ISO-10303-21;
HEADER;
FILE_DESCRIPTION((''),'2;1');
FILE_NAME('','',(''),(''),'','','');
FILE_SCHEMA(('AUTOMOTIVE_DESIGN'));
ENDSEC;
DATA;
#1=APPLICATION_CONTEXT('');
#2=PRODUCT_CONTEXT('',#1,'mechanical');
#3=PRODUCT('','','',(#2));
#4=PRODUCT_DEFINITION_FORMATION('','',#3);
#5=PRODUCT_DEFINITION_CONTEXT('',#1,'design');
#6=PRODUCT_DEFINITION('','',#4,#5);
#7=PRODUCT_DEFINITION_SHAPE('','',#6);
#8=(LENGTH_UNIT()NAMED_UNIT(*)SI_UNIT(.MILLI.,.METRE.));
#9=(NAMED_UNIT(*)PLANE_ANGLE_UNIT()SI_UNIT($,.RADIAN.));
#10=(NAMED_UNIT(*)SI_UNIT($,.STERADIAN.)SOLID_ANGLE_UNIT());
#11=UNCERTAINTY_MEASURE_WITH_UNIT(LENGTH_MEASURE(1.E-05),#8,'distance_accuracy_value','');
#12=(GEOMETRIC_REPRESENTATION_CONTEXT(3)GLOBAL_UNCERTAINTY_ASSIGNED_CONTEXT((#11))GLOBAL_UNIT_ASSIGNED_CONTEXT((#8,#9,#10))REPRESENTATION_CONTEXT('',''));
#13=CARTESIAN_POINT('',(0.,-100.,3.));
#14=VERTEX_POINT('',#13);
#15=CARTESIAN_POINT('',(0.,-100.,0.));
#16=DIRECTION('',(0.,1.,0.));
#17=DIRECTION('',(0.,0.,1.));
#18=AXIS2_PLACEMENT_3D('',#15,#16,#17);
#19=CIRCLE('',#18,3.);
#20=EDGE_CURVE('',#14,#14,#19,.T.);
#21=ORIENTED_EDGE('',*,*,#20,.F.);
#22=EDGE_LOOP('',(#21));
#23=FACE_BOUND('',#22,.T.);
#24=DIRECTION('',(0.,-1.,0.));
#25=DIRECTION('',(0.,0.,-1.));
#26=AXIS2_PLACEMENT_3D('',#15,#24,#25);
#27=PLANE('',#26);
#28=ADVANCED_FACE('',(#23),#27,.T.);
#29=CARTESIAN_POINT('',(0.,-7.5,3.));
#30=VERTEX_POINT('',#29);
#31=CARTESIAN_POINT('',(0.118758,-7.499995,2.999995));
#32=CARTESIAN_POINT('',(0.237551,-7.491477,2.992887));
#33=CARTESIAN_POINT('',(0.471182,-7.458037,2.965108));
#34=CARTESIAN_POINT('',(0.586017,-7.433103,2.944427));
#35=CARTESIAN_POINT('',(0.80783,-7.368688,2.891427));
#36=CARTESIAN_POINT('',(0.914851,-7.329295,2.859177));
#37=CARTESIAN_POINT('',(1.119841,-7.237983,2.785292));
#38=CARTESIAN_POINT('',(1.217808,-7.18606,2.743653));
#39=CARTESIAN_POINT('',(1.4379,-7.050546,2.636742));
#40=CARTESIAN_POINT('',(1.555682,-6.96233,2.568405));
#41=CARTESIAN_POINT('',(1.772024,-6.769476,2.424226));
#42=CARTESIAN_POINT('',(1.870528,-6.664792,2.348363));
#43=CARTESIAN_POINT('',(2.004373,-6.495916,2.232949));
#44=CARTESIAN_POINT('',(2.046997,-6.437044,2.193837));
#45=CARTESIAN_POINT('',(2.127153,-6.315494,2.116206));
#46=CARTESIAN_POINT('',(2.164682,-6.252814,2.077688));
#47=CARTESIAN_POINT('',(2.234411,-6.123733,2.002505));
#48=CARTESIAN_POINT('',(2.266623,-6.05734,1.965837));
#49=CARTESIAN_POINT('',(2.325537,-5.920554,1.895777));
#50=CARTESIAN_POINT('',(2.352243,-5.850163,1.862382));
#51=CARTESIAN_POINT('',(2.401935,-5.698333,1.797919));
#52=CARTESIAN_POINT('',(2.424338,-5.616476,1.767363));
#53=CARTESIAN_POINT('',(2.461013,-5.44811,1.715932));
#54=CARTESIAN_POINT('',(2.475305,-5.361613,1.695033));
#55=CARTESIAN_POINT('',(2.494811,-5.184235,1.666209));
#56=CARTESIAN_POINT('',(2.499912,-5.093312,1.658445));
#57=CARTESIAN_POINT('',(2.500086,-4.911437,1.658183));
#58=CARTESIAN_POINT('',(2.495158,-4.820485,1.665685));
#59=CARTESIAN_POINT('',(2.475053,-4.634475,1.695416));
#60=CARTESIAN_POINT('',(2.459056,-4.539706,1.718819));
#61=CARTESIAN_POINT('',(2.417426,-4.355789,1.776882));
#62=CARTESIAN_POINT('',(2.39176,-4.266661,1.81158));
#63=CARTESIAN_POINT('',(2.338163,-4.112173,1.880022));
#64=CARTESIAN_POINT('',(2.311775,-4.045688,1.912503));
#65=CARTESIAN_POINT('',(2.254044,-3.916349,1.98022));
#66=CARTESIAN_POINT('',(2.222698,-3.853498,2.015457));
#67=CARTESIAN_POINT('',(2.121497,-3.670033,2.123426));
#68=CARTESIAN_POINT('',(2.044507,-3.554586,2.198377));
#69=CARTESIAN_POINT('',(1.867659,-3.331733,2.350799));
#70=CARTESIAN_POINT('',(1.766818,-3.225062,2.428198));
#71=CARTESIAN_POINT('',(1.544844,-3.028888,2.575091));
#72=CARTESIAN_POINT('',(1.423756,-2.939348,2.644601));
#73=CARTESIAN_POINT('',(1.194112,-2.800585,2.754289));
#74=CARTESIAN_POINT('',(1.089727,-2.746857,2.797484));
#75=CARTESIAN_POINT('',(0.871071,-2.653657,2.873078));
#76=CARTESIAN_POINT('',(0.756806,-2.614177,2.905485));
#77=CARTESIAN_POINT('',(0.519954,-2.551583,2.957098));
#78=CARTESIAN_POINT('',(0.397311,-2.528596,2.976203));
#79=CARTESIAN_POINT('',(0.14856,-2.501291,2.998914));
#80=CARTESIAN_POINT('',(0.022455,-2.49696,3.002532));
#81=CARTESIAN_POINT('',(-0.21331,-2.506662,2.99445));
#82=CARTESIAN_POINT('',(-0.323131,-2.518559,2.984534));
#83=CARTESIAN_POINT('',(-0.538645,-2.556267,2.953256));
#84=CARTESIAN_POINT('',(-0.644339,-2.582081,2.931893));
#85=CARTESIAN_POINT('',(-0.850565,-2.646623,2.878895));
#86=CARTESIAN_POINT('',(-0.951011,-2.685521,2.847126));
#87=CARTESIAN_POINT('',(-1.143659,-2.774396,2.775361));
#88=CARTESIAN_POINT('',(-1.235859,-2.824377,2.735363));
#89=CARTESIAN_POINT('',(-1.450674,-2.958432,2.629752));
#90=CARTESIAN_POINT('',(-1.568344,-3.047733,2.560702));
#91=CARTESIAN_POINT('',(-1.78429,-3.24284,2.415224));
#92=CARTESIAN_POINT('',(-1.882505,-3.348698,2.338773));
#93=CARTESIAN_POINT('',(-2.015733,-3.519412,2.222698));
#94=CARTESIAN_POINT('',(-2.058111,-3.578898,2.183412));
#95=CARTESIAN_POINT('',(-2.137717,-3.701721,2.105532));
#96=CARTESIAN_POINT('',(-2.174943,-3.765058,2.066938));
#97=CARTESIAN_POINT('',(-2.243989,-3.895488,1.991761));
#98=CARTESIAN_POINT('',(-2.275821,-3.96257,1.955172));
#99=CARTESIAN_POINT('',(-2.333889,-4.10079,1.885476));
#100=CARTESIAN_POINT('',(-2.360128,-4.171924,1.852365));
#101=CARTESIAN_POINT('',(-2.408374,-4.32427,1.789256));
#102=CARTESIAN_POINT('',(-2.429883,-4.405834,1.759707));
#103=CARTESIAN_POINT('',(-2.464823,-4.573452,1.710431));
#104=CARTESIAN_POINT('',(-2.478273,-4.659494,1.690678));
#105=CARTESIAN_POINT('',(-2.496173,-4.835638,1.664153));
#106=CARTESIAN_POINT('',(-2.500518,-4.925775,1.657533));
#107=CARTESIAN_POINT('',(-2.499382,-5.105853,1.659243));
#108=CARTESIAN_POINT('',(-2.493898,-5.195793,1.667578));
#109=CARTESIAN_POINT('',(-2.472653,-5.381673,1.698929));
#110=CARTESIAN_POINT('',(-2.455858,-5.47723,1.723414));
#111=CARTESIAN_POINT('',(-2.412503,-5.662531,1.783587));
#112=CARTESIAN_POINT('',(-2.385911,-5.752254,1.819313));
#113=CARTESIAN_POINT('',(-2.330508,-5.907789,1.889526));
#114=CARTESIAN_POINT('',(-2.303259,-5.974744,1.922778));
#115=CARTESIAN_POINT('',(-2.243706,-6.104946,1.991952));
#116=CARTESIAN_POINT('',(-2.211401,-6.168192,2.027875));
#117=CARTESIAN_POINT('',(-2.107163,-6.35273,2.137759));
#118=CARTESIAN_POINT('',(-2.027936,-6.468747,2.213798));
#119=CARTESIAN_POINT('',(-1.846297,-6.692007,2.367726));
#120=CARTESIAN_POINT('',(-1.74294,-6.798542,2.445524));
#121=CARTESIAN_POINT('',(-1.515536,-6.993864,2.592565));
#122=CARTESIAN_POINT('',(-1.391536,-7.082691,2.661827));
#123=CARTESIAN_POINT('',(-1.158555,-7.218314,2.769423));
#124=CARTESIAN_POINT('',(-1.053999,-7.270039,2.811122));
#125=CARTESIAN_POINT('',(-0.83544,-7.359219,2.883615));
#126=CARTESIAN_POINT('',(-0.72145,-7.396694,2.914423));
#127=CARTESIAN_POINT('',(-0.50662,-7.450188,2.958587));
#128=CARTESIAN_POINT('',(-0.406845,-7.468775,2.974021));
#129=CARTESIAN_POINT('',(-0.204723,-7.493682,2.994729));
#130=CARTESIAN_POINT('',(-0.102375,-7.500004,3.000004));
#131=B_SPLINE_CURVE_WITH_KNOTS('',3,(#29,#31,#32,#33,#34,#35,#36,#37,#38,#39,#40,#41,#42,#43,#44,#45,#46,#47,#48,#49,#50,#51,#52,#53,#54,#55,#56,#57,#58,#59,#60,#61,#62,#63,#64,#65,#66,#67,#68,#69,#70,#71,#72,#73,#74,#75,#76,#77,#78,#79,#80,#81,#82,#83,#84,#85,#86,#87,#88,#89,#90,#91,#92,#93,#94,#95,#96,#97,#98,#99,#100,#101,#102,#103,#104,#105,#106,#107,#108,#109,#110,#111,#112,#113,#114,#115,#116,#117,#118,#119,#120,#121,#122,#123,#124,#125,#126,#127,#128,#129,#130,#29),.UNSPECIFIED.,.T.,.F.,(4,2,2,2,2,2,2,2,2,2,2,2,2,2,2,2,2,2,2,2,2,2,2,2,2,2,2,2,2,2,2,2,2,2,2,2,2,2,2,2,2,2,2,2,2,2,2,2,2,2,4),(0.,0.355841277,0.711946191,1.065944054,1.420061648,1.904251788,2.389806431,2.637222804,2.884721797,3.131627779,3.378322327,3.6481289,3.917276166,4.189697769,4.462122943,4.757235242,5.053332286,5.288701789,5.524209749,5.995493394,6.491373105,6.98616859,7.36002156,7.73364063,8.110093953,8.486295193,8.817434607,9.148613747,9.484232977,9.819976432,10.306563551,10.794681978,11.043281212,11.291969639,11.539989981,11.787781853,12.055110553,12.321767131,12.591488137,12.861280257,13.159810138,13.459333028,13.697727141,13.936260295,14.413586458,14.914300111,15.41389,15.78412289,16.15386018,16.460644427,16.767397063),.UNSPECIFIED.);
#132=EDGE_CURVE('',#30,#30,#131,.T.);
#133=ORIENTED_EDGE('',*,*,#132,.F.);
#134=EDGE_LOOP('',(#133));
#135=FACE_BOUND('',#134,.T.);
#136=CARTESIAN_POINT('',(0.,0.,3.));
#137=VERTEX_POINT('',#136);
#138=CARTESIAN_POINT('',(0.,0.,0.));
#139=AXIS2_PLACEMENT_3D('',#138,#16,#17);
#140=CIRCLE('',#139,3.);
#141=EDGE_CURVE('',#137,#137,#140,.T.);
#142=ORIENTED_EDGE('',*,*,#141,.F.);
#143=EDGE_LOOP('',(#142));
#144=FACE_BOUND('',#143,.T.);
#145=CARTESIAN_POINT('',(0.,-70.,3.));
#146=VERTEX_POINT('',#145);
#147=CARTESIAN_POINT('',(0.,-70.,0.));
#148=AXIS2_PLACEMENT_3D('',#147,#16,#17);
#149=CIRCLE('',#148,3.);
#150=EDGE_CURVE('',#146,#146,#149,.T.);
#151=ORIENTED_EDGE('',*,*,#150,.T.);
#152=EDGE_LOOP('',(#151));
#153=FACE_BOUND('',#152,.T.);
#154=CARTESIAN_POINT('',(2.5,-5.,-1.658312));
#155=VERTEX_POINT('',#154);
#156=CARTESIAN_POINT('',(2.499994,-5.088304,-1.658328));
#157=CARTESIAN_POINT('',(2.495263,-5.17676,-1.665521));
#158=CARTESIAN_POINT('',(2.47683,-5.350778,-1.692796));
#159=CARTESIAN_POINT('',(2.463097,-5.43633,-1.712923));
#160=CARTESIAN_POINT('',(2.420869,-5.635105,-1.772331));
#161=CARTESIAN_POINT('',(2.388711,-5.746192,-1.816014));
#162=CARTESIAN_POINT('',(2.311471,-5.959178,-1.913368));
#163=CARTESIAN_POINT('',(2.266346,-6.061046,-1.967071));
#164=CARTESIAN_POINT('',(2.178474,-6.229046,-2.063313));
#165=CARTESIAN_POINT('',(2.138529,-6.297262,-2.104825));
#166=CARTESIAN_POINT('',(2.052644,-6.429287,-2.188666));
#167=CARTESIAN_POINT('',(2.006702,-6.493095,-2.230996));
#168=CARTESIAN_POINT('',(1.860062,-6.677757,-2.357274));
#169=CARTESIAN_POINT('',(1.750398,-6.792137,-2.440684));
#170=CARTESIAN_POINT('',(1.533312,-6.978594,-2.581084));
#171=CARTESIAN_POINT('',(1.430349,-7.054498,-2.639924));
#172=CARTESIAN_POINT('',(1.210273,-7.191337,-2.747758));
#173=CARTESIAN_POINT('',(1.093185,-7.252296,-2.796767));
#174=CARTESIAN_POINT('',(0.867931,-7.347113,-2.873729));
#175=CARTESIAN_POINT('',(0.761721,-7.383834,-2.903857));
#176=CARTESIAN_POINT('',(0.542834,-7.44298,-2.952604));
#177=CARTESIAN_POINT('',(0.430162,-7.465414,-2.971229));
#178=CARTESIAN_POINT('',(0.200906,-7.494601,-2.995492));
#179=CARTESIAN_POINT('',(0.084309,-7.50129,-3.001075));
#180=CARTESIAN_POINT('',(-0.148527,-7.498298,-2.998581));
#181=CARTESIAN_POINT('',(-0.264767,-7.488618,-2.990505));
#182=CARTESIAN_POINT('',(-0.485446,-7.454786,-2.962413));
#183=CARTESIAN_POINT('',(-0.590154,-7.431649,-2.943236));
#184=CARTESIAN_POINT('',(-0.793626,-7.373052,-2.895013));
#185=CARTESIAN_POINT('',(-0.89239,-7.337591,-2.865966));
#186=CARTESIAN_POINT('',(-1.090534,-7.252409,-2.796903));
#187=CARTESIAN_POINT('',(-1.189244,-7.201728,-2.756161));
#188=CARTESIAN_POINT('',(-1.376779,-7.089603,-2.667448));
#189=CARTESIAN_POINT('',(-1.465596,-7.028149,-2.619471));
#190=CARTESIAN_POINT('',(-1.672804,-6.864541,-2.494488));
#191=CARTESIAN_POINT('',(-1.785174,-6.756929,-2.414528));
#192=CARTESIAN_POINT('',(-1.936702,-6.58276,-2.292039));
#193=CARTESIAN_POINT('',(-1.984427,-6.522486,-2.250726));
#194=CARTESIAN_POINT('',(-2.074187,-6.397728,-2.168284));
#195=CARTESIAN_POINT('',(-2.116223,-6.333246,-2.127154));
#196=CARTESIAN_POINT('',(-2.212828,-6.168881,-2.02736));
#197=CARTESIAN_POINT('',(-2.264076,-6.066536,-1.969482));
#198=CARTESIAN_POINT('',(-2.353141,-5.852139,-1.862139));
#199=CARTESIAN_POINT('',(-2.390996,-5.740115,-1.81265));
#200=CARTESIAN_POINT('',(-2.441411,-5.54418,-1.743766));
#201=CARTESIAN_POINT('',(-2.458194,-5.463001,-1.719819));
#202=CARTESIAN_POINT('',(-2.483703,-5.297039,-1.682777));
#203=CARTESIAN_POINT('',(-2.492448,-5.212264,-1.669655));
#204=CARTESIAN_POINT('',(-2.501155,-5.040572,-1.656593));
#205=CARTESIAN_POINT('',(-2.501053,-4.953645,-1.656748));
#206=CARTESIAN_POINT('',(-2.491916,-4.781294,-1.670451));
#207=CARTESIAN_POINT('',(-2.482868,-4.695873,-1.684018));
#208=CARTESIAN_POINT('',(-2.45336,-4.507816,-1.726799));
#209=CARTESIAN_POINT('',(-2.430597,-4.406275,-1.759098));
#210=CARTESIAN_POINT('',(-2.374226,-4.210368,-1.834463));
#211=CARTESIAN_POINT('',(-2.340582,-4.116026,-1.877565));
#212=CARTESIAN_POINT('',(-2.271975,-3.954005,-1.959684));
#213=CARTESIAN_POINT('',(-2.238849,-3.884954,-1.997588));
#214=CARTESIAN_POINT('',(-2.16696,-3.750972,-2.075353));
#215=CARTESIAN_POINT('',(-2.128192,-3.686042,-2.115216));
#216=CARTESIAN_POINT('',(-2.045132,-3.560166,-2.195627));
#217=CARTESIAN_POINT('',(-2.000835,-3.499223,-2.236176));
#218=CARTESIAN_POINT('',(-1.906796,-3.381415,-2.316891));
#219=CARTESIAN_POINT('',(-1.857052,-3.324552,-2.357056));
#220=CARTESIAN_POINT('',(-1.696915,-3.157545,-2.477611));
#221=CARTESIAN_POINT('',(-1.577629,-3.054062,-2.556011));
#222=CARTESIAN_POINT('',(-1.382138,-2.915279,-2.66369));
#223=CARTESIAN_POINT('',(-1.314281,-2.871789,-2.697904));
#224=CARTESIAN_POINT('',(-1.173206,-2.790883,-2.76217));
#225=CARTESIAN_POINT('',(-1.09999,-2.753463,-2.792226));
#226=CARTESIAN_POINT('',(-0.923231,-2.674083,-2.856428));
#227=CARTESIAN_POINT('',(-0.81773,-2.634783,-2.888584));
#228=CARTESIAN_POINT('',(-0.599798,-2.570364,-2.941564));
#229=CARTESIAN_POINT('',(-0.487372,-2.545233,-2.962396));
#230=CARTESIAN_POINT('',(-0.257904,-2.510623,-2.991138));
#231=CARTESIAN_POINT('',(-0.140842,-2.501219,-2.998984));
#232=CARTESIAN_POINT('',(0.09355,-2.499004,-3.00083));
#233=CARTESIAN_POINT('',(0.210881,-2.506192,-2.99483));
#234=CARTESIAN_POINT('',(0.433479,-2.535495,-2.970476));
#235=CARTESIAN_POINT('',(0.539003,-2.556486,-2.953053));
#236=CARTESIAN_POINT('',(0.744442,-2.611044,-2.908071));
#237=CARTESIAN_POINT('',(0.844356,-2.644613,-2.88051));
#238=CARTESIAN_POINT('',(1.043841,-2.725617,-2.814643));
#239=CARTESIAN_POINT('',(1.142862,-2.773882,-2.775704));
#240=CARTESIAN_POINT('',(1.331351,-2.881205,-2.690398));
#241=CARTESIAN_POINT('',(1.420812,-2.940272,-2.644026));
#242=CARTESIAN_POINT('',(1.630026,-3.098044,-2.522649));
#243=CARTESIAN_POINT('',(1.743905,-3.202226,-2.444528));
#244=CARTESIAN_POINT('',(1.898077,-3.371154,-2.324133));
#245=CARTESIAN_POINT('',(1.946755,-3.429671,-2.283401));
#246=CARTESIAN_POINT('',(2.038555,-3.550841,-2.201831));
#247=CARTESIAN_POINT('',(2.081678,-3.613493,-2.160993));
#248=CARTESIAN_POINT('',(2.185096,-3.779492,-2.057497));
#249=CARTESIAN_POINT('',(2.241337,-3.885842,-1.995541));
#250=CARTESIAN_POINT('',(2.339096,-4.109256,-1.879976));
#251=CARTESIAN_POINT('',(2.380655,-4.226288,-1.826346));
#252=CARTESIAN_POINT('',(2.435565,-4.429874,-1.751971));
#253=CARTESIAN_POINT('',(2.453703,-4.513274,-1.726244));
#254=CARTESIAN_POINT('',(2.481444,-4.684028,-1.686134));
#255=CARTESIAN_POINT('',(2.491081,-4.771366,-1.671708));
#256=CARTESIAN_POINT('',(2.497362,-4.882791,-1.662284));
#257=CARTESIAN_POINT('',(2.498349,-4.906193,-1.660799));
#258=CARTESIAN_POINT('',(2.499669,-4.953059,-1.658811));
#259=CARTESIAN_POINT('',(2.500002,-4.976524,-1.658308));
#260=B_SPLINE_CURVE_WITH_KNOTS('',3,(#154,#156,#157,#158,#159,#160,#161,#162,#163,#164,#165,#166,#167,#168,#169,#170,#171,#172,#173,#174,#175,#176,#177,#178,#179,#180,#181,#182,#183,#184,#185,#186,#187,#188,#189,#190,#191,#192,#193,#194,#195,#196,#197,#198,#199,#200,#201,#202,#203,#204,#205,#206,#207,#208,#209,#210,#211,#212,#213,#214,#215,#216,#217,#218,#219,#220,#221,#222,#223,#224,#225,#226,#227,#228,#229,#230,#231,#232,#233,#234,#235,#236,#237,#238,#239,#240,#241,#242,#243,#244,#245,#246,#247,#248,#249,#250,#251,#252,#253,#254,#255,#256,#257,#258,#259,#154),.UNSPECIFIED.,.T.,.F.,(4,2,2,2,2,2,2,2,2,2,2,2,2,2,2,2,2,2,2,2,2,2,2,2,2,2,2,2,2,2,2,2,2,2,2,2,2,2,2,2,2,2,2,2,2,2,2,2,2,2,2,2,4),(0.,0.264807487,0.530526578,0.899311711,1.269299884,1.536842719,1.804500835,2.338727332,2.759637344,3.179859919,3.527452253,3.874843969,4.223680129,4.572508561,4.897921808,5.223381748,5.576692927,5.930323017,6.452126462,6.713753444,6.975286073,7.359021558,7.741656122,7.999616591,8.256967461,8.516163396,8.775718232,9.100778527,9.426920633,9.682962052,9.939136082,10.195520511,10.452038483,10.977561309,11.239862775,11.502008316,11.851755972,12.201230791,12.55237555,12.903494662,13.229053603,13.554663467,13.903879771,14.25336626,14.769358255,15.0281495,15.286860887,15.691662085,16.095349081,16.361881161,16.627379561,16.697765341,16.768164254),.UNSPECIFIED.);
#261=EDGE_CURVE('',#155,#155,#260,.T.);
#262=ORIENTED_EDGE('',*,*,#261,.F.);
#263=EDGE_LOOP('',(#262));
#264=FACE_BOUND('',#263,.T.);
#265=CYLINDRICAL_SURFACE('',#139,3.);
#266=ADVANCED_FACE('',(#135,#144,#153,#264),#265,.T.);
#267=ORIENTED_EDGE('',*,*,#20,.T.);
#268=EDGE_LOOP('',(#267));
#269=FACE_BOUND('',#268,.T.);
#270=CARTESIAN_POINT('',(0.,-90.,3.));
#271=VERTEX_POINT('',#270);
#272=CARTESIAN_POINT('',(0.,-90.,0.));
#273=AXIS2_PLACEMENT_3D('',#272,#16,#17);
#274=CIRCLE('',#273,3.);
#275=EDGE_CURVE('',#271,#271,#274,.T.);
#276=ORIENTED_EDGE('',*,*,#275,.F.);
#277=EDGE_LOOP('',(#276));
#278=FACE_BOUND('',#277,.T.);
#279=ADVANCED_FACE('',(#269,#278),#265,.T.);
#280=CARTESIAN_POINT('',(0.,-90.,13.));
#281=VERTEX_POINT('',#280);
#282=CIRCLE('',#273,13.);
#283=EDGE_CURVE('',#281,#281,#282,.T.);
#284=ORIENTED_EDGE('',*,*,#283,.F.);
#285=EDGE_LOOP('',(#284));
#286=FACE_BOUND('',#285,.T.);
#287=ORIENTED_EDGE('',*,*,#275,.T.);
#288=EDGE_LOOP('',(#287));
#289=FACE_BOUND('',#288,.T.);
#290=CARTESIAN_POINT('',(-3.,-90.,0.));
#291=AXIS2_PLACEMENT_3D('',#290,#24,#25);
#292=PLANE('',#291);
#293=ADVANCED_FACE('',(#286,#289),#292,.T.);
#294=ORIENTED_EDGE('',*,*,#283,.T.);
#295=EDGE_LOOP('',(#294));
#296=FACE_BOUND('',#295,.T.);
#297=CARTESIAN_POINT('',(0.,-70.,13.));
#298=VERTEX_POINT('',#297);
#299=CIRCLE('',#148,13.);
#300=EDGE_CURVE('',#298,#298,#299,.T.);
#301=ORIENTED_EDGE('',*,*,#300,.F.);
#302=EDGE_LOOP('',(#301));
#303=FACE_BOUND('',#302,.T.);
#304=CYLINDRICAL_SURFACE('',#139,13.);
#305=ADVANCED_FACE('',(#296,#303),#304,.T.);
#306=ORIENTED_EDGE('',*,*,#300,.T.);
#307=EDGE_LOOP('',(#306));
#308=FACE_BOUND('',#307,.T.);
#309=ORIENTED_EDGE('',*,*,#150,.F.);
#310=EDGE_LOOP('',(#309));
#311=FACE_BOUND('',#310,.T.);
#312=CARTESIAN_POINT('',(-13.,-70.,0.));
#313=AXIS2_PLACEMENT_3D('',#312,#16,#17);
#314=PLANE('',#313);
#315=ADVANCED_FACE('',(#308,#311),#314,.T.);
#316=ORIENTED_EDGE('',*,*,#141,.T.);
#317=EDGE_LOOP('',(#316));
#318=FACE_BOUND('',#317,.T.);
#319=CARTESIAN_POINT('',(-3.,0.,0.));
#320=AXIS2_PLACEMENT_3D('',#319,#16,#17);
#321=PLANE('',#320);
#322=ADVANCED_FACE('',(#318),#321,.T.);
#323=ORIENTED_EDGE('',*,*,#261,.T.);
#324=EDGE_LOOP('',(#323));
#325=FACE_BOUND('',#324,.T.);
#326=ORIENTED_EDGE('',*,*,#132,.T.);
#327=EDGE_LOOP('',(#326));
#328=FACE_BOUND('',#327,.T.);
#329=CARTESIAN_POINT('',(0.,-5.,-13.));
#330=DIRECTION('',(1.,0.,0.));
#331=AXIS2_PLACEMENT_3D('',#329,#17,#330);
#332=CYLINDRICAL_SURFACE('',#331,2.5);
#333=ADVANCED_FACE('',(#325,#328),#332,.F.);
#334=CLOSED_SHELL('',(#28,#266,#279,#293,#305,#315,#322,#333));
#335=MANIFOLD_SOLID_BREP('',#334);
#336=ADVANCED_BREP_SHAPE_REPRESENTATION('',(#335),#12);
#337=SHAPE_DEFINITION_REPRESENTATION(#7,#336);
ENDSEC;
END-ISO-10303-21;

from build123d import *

# Parameters (mm, degrees)
ESQUISSE2_R                  = 2.5
ENL_V_MAT_EXTRU_1_DEPTH      = 14
ENL_V_MAT_EXTRU_1_DEPTH_BACK = 14


with BuildPart() as part:
    # Esquisse1 → Révolution1 (revolve)
    with BuildSketch(Plane.XY):
        Polygon((0, 0), (0, -100), (-3, -100), (-3, -90), (-13, -90), (-13, -70), (-3, -70), (-3, 0), align=None)
    revolve(axis=Axis((0, 0, 0), (0, -1, 0)))

    # Esquisse2 → Enlèv. mat.-Extru.1 (cut, two sides)
    with BuildSketch(Plane.XY) as enl_v_mat_extru_1_sk:
        with Locations((0, -5)):
            Circle(ESQUISSE2_R)
    extrude(amount=ENL_V_MAT_EXTRU_1_DEPTH, mode=Mode.SUBTRACT)
    extrude(enl_v_mat_extru_1_sk.sketch, amount=-ENL_V_MAT_EXTRU_1_DEPTH_BACK, mode=Mode.SUBTRACT)


solid = part.part
